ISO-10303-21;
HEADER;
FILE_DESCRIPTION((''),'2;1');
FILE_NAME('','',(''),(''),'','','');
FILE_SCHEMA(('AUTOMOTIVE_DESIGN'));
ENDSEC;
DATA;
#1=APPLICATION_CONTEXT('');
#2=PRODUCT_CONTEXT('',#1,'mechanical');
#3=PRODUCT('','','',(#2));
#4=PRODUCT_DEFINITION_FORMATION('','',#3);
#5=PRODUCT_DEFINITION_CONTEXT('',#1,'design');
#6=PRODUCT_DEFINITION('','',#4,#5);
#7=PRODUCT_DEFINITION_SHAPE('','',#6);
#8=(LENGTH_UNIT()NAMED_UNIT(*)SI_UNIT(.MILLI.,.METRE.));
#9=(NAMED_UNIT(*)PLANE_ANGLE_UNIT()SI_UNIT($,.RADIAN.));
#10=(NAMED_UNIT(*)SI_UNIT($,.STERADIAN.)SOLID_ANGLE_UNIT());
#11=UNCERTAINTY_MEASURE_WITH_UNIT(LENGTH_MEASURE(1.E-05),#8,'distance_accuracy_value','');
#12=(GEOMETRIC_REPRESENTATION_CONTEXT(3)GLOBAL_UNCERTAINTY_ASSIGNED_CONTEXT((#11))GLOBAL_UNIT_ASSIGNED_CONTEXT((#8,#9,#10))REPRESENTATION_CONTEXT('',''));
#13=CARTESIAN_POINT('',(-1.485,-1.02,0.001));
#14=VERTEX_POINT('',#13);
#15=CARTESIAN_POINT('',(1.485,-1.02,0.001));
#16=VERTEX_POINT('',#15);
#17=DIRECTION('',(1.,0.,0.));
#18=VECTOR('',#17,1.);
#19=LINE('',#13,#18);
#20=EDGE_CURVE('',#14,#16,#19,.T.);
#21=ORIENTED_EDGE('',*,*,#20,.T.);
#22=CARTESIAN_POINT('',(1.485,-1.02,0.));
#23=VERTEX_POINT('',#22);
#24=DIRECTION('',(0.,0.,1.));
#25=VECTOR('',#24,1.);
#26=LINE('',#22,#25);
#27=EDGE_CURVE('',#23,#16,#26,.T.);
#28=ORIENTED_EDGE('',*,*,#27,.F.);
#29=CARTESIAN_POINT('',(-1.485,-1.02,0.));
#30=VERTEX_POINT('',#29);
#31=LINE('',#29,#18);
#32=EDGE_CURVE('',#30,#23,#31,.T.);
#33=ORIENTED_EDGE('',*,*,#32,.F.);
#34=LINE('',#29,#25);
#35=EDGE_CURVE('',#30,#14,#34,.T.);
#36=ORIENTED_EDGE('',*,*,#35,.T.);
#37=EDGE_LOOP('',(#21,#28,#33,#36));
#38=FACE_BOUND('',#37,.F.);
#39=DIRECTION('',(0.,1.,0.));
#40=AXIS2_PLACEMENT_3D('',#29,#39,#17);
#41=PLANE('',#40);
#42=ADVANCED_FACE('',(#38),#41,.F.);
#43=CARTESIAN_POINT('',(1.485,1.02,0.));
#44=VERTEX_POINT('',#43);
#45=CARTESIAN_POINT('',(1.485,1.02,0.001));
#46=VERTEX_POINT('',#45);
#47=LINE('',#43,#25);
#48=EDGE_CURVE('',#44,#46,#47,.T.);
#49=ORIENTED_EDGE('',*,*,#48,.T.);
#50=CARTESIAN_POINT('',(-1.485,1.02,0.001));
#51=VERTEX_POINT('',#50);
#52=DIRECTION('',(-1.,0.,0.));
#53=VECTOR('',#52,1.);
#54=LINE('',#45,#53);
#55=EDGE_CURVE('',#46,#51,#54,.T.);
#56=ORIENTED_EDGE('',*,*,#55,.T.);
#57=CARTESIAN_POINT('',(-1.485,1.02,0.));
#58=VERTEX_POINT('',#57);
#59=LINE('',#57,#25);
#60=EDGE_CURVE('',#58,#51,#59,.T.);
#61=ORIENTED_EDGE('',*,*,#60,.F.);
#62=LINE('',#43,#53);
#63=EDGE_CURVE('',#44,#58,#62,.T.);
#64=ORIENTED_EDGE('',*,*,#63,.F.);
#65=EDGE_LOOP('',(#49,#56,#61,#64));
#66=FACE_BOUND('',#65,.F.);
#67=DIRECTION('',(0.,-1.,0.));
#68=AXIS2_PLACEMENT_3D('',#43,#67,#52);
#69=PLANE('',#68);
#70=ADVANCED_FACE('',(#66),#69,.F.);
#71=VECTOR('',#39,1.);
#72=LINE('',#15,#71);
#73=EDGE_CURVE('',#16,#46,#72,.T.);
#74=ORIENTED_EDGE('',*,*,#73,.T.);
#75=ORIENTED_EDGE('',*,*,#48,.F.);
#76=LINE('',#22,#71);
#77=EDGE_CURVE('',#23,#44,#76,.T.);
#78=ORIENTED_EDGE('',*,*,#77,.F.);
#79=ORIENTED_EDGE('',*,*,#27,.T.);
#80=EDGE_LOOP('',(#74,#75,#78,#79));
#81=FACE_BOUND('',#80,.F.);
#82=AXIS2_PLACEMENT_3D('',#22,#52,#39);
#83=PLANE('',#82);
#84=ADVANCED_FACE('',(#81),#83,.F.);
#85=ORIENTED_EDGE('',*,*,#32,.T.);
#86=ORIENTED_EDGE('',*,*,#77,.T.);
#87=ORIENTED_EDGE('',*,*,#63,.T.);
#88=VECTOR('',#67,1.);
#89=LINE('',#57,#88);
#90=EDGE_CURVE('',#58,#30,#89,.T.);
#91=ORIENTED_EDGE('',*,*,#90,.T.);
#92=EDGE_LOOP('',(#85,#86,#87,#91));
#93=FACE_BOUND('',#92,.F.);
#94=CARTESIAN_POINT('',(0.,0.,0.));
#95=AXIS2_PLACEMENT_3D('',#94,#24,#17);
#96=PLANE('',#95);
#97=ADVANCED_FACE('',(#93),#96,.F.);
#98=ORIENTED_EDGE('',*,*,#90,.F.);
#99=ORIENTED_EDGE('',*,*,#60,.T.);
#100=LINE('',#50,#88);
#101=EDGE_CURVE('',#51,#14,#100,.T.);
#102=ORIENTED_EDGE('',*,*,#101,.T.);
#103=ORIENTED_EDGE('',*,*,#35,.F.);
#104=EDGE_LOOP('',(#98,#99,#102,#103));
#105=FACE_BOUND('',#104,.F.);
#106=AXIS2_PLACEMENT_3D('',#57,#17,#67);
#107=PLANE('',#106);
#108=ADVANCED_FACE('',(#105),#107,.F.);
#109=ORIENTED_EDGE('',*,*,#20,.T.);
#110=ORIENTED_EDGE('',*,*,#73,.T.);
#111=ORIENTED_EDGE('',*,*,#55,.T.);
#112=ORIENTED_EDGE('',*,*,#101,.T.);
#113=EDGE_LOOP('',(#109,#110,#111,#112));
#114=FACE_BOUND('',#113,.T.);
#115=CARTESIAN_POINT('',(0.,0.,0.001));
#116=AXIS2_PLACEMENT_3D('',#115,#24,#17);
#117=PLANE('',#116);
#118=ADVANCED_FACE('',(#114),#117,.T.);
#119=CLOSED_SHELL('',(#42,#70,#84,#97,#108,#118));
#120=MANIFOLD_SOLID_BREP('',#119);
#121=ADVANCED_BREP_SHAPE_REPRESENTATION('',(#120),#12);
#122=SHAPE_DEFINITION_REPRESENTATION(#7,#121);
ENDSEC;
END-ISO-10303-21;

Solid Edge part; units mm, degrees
sketch "Sketch1" plane through (0, 0, 0) normal (0, 0, 1) x (1, 0, 0)
  line L0 (-1.485, -1.02) -> (1.485, -1.02)
  line L1 (1.485, -1.02) -> (1.485, 1.02)
  line L2 (1.485, 1.02) -> (-1.485, 1.02)
  line L3 (-1.485, 1.02) -> (-1.485, -1.02)
  dimension "D1" = 2.97
  dimension "D2" = 2.04
extrude "Protrusion1" add sketch "Sketch1" along normal blind 0.001
